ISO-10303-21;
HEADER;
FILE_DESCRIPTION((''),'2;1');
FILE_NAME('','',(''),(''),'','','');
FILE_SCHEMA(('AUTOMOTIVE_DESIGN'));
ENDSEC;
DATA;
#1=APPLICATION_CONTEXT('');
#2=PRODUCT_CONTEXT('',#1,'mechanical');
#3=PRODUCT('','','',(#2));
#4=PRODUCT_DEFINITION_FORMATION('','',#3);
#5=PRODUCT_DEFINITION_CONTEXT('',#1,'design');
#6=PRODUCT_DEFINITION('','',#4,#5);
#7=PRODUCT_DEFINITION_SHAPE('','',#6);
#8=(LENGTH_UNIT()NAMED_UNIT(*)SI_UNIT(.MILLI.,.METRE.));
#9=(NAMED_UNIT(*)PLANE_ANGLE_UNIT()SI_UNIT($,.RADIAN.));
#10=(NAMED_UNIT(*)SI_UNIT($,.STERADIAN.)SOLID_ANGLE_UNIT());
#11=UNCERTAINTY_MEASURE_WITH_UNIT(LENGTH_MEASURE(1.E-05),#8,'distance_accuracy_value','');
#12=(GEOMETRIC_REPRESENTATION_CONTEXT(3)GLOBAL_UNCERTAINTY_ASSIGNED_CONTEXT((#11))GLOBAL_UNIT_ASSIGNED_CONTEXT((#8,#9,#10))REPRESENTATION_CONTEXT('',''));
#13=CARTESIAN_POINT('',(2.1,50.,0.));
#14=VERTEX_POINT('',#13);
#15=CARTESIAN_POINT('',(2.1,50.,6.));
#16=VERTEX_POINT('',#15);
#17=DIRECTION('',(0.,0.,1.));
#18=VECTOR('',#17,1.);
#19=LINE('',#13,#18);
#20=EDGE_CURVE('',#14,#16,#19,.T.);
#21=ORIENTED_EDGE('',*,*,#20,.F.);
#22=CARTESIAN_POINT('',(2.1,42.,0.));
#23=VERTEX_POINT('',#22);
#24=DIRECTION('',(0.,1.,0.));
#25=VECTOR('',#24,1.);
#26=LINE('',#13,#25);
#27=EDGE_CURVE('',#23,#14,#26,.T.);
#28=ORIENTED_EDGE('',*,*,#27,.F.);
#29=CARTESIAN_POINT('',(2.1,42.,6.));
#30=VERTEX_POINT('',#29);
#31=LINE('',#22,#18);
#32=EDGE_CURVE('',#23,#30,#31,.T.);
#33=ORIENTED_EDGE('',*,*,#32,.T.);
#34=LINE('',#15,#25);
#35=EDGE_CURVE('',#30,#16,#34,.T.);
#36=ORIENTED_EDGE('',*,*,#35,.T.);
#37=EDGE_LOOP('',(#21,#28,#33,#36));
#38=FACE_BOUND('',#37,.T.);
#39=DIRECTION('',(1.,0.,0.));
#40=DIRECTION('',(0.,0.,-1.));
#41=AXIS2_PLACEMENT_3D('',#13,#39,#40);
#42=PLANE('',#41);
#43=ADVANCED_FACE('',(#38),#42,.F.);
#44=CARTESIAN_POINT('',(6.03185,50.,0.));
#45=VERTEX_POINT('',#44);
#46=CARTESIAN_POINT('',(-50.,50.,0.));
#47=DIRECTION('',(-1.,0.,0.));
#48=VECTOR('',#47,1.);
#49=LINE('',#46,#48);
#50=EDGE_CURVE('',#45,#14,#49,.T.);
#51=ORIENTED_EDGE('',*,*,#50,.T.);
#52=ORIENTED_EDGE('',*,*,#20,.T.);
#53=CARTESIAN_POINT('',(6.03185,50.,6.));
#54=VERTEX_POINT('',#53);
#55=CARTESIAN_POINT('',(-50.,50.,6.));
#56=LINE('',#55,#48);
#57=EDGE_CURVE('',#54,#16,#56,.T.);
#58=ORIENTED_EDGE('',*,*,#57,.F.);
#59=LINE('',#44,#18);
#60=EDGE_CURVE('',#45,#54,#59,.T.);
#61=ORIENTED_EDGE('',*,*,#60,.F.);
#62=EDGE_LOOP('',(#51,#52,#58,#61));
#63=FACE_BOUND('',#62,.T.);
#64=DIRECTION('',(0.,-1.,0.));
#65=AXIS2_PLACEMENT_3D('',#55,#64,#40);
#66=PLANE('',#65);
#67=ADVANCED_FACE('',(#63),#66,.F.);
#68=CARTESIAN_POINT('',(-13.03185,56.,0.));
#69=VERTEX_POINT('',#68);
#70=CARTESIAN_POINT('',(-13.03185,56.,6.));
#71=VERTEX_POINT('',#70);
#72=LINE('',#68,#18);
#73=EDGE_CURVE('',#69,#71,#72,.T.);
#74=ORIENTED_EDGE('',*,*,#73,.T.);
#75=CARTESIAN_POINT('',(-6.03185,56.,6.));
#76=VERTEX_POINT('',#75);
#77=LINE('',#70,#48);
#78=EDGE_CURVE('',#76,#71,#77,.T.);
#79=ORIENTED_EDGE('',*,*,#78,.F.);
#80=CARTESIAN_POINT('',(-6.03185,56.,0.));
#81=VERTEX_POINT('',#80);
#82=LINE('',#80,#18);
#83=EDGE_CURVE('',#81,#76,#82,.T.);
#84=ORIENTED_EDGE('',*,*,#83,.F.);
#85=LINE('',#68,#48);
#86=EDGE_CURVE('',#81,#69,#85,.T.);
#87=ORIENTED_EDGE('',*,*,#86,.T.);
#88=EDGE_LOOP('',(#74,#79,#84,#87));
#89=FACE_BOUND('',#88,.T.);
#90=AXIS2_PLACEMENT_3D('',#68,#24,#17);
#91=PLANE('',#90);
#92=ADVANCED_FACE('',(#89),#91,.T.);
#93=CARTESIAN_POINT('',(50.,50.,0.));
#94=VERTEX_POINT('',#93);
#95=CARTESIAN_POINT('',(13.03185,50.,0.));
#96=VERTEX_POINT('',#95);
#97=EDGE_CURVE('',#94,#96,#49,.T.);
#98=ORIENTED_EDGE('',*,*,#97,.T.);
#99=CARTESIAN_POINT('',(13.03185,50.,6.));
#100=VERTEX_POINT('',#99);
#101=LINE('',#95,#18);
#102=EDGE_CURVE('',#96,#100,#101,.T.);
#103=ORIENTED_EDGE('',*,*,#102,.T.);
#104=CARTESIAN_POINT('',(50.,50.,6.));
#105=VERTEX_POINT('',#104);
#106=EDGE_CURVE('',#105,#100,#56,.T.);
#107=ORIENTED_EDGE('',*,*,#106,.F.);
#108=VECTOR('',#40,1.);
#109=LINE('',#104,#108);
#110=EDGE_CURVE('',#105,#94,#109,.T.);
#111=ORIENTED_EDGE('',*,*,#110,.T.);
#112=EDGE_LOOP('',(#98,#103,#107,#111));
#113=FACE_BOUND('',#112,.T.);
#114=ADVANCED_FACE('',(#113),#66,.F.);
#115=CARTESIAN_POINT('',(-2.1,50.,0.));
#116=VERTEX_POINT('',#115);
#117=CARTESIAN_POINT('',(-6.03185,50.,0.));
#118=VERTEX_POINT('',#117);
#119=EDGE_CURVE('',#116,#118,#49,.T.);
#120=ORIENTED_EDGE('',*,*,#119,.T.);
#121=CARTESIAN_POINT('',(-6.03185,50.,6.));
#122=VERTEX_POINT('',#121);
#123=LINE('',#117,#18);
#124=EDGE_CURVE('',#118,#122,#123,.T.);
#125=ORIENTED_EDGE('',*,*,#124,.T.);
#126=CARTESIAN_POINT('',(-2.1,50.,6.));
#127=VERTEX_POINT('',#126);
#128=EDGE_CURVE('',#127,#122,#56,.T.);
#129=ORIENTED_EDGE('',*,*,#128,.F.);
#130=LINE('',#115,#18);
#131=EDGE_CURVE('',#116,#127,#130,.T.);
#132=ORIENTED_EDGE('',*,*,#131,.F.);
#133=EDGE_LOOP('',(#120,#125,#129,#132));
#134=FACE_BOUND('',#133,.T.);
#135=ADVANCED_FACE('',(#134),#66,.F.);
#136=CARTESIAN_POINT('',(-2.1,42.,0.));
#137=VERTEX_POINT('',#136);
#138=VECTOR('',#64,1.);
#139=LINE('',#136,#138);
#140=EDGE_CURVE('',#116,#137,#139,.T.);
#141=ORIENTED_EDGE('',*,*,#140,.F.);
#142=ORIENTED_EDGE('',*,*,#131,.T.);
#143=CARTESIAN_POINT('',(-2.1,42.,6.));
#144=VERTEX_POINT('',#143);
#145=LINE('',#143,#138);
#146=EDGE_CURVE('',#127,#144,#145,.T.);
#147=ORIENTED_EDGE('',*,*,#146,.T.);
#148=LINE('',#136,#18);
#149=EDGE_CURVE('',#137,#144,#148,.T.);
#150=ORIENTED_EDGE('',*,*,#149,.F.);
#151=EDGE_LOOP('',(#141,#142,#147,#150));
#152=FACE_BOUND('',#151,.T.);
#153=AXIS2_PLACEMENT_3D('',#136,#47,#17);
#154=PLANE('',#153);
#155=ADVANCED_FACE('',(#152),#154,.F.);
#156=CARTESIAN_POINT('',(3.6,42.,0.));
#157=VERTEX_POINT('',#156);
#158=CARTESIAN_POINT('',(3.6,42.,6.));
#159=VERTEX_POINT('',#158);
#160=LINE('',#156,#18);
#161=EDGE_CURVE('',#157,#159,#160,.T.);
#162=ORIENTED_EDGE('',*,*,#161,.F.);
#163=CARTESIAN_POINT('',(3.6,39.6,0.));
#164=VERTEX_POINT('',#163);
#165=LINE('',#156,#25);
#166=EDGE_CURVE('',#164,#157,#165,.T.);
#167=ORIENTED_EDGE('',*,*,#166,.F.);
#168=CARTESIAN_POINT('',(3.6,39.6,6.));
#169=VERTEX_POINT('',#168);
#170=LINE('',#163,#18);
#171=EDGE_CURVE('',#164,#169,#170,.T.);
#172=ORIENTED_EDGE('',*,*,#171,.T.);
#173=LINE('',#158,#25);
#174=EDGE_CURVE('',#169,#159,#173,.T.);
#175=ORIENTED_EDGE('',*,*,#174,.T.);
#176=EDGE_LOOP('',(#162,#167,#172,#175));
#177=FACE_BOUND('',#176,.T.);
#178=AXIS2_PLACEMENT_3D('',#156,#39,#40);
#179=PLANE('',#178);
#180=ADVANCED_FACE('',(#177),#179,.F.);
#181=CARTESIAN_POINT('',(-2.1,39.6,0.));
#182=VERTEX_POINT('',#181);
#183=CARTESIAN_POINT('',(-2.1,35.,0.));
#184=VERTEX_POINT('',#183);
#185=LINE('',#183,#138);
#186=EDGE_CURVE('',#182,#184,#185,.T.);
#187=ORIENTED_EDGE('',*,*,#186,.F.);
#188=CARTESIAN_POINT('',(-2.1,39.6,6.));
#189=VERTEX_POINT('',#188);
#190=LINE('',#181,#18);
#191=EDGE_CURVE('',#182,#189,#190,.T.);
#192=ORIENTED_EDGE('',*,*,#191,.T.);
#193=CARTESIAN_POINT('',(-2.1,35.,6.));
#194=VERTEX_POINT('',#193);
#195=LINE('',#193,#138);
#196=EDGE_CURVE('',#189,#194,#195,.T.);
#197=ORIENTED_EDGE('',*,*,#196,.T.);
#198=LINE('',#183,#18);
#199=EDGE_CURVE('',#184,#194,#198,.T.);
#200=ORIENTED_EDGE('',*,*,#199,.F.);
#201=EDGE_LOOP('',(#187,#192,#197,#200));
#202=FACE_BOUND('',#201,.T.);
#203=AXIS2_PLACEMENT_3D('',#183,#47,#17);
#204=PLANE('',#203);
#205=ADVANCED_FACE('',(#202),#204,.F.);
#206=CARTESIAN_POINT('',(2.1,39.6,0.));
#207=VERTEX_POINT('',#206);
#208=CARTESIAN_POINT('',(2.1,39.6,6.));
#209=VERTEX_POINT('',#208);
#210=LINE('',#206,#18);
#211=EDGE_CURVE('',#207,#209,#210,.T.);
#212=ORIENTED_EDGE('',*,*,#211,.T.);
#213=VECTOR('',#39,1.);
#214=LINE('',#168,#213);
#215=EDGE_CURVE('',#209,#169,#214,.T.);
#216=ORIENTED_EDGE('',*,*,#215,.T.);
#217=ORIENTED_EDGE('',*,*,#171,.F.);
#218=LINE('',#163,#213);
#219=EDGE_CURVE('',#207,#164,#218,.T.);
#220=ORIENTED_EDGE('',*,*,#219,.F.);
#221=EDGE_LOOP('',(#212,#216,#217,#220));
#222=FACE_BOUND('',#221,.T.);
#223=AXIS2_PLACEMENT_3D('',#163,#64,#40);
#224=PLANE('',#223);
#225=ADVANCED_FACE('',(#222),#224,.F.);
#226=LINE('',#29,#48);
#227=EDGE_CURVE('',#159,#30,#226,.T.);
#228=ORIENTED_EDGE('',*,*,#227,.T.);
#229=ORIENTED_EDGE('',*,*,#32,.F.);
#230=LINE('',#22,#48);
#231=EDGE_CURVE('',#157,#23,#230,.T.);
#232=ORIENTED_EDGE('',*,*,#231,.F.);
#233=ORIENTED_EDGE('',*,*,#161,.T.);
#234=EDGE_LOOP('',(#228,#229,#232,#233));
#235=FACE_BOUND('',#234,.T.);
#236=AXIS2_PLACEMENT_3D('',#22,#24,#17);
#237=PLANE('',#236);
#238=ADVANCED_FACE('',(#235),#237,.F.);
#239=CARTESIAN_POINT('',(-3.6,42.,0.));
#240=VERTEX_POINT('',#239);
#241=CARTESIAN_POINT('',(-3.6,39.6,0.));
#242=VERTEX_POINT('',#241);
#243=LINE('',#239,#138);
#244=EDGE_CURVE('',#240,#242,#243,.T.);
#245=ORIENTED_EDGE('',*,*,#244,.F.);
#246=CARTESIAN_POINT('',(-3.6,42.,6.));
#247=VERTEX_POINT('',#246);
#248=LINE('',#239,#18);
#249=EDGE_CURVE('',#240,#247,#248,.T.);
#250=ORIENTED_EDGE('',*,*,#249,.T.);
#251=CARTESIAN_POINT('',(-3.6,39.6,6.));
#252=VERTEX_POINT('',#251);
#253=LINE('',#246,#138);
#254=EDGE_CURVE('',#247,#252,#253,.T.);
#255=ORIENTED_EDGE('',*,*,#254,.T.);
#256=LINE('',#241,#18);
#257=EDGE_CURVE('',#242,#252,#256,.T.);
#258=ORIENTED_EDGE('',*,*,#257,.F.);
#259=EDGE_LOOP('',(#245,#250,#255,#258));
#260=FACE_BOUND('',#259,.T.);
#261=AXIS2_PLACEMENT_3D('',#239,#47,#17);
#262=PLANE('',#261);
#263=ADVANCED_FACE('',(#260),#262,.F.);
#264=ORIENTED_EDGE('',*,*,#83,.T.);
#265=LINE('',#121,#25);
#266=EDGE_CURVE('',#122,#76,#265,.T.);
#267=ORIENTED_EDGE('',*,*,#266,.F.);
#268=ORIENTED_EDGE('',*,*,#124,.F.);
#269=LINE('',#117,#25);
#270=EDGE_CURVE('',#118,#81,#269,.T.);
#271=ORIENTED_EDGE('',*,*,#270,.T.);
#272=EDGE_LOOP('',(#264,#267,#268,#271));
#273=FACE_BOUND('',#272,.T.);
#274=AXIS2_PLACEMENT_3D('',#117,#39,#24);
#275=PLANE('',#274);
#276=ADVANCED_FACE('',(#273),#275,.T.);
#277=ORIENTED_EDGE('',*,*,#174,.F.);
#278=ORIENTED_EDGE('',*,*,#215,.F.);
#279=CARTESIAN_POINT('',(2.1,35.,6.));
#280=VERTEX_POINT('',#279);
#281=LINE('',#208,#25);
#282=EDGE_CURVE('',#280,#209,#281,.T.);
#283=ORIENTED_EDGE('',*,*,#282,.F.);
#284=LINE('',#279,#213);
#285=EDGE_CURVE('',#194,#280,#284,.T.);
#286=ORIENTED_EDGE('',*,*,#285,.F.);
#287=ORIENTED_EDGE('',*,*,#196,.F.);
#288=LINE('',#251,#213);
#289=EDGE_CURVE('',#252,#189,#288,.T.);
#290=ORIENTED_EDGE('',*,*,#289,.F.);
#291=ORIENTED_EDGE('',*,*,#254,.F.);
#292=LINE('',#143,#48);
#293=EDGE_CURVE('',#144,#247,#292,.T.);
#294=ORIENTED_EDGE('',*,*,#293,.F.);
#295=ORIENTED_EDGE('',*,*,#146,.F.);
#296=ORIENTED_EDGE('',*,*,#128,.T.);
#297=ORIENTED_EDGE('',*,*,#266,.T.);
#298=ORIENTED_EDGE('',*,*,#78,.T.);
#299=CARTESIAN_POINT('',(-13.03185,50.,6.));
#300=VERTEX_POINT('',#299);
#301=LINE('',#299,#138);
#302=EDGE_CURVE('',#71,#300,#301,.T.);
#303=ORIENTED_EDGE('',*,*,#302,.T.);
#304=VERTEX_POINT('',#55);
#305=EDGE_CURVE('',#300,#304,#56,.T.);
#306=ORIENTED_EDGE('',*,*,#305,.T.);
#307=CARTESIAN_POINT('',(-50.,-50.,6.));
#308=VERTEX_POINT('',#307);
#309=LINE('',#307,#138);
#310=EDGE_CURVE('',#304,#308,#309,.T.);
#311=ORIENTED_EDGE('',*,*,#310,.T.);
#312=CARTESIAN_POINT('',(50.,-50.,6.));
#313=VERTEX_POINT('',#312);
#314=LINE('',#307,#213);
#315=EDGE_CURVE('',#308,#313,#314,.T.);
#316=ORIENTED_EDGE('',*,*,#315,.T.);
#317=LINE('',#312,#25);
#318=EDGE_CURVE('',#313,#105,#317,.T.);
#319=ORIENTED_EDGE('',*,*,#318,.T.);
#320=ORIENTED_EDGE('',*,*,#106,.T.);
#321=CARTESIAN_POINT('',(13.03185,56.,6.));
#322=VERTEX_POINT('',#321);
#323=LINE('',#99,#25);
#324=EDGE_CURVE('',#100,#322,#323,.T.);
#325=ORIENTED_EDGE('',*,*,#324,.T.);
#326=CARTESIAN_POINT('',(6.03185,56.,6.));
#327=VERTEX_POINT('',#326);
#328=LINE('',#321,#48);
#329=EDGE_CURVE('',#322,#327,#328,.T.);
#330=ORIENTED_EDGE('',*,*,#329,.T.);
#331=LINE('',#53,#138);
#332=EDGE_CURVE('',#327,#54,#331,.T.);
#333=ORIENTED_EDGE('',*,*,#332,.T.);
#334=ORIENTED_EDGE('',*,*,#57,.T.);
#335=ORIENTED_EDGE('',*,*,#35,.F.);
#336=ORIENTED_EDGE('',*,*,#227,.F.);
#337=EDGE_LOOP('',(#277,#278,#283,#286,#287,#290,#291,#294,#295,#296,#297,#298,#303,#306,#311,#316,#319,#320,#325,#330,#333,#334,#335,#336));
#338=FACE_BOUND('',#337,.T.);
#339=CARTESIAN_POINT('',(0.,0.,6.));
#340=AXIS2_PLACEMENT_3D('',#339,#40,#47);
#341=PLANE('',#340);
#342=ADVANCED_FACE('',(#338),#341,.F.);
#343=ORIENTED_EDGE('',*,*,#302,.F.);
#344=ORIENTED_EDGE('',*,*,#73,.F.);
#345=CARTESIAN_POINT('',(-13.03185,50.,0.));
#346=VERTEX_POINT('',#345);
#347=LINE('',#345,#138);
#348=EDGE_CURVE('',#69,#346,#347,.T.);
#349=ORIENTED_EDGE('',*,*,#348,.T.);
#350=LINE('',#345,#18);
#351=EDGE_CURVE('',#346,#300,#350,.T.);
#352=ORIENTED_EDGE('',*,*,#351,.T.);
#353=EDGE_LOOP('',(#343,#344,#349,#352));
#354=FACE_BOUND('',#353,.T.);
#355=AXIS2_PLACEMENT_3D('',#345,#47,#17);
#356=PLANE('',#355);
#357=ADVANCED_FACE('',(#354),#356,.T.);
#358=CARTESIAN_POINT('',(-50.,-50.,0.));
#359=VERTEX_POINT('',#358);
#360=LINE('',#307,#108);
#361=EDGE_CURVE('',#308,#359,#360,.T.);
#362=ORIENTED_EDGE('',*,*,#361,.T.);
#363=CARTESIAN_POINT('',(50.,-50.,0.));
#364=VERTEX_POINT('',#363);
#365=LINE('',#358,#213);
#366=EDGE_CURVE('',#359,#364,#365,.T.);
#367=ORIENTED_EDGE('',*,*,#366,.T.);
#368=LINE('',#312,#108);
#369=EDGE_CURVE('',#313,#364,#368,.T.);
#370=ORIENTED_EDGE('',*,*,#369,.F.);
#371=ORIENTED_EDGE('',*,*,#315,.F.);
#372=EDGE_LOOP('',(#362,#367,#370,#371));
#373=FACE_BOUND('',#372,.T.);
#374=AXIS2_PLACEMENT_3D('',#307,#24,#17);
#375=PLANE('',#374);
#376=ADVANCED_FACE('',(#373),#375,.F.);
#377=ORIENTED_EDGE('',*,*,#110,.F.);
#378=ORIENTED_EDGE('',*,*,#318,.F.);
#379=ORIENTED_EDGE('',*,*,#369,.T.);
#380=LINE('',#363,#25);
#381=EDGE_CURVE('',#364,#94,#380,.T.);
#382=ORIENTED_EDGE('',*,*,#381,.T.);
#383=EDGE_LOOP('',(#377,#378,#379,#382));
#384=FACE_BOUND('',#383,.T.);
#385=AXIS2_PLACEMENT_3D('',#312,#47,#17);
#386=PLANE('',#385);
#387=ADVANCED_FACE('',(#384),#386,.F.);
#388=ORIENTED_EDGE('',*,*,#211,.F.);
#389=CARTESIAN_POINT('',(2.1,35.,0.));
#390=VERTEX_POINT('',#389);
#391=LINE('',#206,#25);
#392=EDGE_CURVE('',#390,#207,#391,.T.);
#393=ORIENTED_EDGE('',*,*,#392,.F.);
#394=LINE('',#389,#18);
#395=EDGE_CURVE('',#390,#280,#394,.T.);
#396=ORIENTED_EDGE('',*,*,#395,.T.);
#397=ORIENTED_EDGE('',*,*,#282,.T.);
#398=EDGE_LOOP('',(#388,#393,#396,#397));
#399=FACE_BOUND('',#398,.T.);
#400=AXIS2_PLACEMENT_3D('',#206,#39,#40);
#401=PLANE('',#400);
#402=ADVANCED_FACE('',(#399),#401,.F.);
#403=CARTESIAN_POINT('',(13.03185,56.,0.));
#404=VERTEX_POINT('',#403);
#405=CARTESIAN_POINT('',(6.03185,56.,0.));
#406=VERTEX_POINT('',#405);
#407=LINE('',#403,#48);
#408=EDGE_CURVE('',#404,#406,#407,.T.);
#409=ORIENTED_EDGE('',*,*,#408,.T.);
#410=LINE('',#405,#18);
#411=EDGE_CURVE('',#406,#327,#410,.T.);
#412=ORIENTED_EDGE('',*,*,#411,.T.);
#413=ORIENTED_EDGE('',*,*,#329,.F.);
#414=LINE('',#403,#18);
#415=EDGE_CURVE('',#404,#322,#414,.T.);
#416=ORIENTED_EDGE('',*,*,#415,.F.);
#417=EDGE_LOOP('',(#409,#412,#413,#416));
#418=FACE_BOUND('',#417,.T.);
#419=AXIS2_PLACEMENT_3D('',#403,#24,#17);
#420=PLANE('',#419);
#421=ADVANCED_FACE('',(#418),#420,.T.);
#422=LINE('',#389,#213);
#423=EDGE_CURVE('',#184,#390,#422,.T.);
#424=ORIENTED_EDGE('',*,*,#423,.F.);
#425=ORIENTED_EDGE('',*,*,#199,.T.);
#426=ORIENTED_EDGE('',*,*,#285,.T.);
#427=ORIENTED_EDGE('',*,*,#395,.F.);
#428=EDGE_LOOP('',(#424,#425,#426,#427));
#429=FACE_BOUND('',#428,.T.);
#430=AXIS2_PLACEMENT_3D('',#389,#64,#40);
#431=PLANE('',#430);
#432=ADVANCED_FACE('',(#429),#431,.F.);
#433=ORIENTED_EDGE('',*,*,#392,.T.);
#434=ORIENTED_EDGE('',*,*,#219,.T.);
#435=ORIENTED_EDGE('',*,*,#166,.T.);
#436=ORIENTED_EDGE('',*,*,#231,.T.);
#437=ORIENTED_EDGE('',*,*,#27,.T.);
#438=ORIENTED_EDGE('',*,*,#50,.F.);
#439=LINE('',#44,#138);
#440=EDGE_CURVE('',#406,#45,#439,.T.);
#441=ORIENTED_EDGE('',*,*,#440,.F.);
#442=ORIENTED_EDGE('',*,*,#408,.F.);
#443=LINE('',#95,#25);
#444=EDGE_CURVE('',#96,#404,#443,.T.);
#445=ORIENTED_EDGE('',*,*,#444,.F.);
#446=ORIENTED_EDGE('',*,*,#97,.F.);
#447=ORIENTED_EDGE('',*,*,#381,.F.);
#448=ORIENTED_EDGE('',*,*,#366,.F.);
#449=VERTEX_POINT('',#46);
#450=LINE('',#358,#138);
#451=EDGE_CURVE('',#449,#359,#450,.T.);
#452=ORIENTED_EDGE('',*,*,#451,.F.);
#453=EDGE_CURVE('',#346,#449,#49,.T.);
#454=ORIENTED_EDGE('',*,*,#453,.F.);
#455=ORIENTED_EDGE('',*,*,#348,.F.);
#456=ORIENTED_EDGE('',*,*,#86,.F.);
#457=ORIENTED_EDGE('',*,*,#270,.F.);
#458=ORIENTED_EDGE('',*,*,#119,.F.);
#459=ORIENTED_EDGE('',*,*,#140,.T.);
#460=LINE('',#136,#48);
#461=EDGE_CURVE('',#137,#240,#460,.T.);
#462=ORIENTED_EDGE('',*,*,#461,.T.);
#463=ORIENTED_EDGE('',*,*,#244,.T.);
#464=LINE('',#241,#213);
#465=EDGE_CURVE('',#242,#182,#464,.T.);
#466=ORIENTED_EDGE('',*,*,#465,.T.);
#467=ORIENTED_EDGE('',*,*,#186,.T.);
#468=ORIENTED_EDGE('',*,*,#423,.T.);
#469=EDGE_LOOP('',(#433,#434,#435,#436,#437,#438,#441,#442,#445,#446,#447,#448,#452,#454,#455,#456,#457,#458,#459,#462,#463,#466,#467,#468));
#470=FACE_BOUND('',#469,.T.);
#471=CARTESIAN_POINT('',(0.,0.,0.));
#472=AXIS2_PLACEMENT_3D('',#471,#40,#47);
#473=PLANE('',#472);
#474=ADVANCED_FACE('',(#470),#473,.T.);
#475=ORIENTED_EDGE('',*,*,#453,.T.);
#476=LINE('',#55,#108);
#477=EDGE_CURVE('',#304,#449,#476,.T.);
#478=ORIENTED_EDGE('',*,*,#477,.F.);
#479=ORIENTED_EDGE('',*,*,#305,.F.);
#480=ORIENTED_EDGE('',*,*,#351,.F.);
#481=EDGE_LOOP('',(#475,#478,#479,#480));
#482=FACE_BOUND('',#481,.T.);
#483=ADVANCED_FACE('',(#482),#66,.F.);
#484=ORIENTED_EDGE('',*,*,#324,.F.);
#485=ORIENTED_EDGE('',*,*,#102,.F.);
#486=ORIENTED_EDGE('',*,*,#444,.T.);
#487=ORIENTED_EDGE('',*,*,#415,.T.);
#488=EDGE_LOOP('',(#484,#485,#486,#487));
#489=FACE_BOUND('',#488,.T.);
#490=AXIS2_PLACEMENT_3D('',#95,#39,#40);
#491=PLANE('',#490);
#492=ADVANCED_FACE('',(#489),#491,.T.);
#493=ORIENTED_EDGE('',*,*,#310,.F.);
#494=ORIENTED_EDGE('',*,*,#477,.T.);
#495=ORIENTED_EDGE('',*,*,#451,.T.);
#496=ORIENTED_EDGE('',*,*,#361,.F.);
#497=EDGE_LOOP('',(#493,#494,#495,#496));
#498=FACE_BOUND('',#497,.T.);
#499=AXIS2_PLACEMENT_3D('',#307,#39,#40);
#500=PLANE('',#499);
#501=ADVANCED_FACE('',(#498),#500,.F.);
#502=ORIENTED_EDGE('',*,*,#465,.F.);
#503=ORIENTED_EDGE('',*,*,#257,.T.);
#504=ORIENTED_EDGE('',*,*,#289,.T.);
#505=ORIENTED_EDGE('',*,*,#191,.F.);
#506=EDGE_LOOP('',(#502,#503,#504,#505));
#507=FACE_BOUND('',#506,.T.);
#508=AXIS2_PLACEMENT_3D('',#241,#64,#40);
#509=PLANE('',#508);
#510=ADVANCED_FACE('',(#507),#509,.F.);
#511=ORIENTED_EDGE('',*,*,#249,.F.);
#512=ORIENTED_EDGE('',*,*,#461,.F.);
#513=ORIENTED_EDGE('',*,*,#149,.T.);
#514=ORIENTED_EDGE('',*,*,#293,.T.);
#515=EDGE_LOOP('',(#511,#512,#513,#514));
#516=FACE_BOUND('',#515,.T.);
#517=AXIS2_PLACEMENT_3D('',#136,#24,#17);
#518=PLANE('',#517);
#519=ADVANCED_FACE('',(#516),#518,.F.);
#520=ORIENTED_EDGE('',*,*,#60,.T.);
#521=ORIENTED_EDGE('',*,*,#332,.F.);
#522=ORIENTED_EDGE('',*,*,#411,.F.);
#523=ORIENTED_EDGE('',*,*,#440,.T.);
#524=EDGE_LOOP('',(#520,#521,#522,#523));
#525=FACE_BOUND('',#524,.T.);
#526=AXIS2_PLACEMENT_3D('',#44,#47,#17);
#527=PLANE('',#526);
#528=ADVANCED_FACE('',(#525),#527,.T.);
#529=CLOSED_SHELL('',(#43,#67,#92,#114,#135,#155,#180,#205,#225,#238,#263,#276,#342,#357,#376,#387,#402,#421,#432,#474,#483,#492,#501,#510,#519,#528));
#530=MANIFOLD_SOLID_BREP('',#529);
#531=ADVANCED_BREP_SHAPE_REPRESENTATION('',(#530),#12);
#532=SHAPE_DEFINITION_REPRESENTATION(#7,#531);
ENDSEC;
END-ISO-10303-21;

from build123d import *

# Parameters (mm, degrees)
SKETCH_1_W          = 100
SKETCH_1_H          = 100
EXTRUDE_1_DEPTH     = 6
SKETCH_2_W          = 7
SKETCH_2_H          = 6
EXTRUDE_2_DEPTH     = 6
CUT_EXTRUDE_1_DEPTH = 7


with BuildPart() as part:
    # Эскиз1 → Бобышка-Вытянуть1 (new body)
    with BuildSketch(Plane.XY):
        Rectangle(SKETCH_1_W, SKETCH_1_H)
    extrude(amount=EXTRUDE_1_DEPTH)

    # Эскиз2 → Бобышка-Вытянуть2 (add)
    with BuildSketch(Plane.XY.offset(6)):
        with Locations((-9.531849908, 53)):
            Rectangle(SKETCH_2_W, SKETCH_2_H)
        with Locations((9.531849908, 53)):
            Rectangle(SKETCH_2_W, SKETCH_2_H)
    extrude(amount=-EXTRUDE_2_DEPTH)

    # Эскиз3 → Вырез-Вытянуть1 (cut, through all)
    with BuildSketch(Plane.XY.offset(6)):
        Polygon((-2.1, 42), (-3.6, 42), (-3.6, 39.6), (-2.1, 39.6), (-2.1, 35), (2.1, 35), (2.1, 39.6), (3.6, 39.6), (3.6, 42), (2.1, 42), (2.1, 50), (-2.1, 50), align=None)
    extrude(amount=-CUT_EXTRUDE_1_DEPTH, mode=Mode.SUBTRACT)


solid = part.part
